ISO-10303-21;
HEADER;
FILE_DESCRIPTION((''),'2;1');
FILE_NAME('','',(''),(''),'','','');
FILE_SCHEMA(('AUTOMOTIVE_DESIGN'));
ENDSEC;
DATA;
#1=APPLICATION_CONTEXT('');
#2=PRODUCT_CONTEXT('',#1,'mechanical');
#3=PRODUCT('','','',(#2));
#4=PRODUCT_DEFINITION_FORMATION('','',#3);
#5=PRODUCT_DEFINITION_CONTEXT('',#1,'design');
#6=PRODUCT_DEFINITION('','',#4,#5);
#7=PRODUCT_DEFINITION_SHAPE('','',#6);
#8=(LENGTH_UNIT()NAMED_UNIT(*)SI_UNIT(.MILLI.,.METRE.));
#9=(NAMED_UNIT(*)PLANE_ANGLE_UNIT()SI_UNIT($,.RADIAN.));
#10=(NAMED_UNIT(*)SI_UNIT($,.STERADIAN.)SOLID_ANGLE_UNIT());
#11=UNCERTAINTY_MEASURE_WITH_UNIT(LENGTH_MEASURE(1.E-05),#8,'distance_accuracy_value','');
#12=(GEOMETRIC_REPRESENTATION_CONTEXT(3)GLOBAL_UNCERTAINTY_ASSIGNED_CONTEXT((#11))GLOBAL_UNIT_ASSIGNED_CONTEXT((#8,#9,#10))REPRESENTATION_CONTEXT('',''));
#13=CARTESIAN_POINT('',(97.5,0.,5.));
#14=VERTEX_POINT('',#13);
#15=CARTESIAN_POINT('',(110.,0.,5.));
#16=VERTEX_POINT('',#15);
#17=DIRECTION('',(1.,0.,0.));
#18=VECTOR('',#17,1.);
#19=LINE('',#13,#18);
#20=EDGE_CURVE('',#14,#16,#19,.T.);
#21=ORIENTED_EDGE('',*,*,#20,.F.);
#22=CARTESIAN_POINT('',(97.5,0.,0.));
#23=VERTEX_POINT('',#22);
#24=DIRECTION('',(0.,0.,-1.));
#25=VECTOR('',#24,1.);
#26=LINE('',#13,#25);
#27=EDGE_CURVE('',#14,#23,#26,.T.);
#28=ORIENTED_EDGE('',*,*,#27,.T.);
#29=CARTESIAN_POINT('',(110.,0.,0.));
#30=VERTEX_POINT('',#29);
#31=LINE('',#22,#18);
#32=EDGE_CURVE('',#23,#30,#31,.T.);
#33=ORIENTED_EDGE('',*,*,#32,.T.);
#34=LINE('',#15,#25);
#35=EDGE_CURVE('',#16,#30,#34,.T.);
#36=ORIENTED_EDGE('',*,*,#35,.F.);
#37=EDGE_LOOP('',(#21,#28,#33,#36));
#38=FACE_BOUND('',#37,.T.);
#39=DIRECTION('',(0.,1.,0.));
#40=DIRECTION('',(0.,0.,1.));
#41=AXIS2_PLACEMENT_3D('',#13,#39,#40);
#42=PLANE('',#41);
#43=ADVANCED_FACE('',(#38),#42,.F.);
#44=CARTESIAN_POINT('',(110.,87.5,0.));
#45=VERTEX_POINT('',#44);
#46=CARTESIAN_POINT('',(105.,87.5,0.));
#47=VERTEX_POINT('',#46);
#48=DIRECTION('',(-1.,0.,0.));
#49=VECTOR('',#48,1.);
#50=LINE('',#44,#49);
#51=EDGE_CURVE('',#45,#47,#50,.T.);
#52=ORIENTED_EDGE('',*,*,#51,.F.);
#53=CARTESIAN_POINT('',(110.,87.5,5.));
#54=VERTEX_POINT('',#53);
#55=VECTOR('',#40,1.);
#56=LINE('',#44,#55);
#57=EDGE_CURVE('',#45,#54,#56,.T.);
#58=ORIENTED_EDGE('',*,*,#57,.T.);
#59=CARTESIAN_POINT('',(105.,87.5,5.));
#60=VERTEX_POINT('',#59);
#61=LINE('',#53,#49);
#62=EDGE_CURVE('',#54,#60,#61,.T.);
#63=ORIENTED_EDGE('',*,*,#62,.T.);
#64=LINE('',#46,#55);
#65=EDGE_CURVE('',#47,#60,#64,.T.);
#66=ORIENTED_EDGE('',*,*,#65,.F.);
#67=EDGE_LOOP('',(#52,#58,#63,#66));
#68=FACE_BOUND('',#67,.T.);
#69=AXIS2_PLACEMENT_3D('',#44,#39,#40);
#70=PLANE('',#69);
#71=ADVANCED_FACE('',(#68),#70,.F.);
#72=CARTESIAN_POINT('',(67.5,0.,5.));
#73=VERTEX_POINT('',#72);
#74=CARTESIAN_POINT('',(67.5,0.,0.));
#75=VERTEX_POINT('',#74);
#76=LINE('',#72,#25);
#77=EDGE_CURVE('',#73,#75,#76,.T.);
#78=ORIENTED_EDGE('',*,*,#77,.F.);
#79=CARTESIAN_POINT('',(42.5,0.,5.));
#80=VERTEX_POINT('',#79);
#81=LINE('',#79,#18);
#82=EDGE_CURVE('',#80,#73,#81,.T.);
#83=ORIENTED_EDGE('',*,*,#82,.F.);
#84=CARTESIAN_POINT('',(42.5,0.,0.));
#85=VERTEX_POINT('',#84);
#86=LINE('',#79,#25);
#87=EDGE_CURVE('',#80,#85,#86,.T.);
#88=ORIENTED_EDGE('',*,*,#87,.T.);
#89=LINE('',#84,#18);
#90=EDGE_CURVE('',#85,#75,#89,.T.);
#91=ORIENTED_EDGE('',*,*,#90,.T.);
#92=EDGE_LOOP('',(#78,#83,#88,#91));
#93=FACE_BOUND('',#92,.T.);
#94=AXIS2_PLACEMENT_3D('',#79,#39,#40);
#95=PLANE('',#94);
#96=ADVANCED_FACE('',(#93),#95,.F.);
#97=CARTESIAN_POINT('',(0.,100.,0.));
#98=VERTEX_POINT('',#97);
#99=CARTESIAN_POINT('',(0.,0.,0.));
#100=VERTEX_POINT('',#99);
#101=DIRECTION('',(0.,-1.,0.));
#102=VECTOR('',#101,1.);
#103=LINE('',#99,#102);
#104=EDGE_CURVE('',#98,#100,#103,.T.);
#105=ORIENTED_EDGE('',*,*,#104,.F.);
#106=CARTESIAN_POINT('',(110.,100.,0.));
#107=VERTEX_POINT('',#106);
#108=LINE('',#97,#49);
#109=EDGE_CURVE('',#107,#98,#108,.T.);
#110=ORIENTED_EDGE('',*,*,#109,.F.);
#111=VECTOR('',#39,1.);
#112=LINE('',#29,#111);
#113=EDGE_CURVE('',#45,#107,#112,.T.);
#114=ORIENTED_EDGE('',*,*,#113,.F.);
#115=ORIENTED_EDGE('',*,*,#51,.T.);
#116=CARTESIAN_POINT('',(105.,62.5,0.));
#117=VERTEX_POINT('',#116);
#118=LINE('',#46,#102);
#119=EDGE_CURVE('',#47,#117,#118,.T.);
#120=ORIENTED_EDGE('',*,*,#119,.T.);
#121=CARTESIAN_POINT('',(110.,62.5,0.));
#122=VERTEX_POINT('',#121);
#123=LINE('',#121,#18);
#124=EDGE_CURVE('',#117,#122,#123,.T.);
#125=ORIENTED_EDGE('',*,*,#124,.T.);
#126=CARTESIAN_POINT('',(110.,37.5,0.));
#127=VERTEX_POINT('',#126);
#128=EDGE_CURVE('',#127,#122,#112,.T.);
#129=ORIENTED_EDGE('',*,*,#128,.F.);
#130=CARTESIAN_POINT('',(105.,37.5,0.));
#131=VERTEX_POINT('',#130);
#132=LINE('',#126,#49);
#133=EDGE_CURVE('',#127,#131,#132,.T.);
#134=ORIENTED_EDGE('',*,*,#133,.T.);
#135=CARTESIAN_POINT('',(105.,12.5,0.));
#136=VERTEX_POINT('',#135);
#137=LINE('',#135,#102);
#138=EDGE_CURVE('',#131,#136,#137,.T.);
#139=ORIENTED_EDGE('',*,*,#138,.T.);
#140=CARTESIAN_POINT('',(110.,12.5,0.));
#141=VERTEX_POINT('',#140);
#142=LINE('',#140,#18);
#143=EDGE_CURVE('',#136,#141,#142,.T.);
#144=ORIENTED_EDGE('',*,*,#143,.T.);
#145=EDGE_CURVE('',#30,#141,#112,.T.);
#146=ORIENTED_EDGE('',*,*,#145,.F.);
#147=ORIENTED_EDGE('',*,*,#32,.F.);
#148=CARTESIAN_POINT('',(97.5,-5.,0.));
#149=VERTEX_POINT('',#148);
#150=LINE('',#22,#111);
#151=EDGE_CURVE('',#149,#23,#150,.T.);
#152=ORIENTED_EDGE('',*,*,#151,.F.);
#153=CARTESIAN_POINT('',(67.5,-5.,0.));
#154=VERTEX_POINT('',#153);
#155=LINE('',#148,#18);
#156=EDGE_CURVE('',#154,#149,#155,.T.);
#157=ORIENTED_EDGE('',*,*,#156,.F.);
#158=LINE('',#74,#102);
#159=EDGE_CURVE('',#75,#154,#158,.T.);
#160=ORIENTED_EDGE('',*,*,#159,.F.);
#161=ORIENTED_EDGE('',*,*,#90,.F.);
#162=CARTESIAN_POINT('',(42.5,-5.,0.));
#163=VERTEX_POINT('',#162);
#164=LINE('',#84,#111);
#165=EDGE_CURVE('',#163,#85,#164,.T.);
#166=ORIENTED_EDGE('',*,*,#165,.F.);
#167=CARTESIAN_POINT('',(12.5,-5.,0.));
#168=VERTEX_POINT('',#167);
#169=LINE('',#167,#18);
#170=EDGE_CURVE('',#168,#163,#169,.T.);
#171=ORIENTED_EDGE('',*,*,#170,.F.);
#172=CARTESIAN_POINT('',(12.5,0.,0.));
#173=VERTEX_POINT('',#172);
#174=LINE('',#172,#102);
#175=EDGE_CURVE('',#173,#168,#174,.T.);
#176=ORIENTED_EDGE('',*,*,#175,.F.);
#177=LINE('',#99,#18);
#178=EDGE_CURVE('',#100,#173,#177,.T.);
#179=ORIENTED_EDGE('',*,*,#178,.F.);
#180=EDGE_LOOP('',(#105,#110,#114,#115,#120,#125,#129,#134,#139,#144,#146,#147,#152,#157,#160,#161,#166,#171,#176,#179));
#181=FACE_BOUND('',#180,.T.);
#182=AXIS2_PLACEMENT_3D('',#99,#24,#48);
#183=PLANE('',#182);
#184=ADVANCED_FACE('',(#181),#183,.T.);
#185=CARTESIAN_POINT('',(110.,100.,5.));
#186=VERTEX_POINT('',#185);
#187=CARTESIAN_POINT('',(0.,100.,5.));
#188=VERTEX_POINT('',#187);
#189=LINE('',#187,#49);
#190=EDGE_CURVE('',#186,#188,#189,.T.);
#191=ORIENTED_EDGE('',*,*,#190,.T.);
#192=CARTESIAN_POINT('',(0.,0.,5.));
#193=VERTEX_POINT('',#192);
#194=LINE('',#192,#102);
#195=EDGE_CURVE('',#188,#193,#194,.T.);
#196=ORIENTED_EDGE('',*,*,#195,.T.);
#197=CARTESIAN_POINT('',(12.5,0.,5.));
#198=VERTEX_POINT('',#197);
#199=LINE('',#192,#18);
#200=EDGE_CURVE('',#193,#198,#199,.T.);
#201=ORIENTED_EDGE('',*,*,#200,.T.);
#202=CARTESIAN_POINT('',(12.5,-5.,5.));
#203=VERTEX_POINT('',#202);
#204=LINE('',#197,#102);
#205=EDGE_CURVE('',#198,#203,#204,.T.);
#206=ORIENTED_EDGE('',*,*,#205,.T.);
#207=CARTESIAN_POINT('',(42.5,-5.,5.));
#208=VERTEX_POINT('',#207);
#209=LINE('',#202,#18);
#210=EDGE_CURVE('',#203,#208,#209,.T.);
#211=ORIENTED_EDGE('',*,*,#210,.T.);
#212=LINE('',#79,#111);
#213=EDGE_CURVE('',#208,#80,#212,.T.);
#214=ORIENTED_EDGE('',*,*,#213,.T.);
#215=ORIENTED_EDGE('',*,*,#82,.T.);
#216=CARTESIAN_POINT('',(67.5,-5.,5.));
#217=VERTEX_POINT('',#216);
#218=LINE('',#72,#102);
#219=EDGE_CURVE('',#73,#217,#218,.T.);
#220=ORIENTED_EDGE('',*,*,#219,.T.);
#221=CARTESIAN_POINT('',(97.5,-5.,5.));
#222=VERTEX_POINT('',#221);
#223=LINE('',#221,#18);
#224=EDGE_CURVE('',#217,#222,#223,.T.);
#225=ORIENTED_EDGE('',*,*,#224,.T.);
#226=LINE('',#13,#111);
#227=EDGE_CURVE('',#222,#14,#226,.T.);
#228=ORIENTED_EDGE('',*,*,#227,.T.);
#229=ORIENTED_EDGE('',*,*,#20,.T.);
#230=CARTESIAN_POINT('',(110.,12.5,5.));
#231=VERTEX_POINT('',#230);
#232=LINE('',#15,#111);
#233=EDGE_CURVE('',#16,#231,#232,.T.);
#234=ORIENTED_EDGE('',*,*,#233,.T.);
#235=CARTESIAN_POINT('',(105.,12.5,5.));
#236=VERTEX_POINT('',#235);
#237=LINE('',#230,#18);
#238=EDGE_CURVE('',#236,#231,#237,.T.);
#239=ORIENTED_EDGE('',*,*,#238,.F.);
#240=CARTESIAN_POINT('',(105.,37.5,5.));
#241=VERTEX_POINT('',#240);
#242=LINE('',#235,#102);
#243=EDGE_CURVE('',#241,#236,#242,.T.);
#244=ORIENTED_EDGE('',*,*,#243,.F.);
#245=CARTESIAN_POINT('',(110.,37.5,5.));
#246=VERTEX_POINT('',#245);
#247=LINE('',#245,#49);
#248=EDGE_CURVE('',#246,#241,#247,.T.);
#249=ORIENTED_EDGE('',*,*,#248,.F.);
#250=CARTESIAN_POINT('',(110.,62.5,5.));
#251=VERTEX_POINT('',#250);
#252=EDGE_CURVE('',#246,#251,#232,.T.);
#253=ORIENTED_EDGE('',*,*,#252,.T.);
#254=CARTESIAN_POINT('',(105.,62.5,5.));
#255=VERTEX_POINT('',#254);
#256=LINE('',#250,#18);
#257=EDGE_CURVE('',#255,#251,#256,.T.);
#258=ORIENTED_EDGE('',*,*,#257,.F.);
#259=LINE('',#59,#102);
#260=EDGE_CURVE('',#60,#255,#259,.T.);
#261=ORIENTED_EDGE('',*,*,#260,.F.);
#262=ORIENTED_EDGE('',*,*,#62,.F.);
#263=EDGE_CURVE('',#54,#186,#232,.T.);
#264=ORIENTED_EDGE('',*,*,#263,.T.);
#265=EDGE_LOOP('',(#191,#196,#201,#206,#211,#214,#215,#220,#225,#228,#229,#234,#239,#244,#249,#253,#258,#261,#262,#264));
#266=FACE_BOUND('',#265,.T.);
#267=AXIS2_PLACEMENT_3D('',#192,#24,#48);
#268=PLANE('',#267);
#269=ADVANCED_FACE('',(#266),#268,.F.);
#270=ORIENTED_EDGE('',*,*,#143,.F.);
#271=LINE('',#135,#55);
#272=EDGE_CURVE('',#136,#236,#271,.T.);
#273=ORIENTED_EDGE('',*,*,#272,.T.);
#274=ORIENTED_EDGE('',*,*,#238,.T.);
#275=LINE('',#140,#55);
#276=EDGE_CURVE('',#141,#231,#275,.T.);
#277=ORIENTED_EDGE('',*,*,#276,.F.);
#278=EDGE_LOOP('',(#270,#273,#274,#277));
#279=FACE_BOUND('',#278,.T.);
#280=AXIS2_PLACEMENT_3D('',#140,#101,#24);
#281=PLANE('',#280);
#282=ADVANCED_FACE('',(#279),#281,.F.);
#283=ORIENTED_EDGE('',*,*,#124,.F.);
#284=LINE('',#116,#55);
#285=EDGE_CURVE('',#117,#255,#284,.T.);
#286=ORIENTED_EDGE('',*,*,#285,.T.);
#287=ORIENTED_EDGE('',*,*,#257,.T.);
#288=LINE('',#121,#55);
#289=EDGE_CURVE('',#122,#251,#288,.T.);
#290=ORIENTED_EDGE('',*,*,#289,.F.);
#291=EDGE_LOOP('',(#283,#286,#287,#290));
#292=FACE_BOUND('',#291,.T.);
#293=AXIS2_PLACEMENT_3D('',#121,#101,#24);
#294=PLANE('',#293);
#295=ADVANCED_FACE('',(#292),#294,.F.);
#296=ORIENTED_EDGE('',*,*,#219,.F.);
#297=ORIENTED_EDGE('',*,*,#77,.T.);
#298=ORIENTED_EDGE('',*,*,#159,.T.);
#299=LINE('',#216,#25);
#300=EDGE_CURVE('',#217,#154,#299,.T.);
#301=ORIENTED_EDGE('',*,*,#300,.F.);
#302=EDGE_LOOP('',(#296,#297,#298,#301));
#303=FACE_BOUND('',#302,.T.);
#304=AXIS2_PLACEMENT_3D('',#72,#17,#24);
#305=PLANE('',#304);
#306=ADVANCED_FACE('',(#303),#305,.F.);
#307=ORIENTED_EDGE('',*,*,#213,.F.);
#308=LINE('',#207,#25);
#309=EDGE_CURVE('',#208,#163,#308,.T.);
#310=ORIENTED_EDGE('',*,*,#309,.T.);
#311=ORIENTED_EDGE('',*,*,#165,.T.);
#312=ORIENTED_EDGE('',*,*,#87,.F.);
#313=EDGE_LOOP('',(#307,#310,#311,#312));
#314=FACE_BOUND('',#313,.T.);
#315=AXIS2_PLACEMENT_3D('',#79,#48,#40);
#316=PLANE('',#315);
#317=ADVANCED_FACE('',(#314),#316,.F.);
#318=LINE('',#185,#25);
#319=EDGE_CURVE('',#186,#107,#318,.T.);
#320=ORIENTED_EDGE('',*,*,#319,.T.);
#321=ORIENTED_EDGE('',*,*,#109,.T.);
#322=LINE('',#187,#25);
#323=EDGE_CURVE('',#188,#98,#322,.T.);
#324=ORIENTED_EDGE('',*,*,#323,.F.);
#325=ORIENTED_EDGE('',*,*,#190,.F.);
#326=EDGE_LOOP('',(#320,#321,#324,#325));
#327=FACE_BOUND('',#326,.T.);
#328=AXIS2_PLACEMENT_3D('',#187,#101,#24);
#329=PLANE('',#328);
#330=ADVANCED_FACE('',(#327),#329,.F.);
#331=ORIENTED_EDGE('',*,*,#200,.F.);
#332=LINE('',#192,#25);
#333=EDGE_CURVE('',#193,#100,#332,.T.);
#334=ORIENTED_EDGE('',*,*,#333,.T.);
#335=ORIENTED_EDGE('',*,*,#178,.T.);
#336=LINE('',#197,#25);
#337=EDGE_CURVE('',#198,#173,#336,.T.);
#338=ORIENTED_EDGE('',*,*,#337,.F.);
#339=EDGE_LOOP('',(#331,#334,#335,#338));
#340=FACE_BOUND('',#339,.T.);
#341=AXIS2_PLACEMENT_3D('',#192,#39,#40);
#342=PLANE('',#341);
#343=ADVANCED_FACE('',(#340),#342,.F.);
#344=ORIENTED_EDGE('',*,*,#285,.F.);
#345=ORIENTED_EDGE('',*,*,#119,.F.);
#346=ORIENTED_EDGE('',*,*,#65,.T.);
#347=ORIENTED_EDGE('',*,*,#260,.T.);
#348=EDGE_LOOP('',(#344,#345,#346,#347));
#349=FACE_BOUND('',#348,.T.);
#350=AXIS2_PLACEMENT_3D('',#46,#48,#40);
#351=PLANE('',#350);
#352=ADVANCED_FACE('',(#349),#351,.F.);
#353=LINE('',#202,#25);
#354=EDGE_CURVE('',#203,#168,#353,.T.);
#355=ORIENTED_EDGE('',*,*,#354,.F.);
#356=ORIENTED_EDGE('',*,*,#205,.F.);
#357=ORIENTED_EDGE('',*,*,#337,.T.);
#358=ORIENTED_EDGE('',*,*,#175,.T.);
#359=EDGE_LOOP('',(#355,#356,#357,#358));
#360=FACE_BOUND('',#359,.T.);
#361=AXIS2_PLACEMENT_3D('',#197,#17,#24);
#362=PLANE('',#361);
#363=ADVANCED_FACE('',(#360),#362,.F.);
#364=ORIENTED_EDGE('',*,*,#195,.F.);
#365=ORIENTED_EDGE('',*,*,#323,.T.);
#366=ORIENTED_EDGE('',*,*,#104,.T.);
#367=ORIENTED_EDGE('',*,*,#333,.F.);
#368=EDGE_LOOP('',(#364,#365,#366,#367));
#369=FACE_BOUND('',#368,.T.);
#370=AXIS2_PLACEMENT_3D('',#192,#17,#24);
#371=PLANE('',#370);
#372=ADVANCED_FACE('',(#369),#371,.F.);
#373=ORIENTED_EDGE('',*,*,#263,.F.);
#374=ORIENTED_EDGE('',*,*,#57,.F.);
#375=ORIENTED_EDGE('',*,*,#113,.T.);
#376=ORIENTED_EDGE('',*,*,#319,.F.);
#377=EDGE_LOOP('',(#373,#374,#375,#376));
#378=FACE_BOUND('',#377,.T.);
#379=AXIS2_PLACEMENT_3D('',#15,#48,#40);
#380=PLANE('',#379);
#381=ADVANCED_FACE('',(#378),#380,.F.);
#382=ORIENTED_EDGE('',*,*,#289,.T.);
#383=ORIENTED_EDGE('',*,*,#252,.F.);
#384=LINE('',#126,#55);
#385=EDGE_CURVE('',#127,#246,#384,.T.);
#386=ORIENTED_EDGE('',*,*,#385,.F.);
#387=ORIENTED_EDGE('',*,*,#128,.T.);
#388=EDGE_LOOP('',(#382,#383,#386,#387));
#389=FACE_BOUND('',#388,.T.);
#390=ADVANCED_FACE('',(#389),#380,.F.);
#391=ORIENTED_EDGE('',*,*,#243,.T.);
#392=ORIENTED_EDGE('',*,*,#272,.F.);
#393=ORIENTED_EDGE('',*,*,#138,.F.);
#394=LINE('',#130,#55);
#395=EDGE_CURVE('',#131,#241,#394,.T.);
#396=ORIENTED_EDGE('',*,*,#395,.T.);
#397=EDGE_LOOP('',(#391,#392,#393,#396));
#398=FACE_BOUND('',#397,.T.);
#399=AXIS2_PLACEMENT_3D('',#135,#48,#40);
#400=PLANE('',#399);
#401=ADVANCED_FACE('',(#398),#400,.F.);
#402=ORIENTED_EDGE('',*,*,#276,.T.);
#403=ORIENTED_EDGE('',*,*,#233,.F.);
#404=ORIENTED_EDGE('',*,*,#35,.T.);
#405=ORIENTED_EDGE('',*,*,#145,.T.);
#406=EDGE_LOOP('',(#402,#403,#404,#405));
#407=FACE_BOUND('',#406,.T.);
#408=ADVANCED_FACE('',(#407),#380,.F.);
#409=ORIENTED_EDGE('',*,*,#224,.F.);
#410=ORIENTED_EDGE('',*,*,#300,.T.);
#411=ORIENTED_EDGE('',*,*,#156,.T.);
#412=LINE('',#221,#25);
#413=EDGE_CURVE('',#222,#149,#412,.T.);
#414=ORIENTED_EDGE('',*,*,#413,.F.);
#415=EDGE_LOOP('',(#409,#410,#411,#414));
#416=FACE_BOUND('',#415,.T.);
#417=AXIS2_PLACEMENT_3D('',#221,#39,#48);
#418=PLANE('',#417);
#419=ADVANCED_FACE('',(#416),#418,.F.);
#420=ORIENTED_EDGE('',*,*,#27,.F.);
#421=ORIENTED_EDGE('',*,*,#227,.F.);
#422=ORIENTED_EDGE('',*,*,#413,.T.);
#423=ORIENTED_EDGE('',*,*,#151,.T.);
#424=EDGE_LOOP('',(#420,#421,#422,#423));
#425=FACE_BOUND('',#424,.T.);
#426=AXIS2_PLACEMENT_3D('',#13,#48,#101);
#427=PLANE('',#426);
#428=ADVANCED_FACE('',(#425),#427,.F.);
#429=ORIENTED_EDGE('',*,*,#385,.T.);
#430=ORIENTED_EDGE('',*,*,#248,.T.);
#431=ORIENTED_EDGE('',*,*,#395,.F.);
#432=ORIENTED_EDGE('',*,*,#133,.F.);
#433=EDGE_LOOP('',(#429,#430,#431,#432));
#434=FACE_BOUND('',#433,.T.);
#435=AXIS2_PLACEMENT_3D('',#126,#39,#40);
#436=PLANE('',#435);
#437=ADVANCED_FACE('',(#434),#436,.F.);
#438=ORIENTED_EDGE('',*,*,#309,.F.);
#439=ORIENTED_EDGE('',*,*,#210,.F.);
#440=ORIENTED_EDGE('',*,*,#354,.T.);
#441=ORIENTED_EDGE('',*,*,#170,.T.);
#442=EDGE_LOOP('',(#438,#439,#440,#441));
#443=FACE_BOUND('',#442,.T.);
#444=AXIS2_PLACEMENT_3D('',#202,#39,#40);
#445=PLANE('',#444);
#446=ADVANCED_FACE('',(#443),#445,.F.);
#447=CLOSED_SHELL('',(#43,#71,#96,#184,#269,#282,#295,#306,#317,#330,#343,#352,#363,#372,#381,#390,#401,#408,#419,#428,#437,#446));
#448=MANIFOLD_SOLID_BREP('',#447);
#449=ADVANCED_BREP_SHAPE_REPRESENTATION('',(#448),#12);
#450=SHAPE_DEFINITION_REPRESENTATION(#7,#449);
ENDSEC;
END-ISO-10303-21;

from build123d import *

# Parameters (mm, degrees)
SALIENTE_EXTRUIR1_DEPTH = 5
CROQUIS2_W              = 5
CROQUIS2_H              = 25
CORTAR_EXTRUIR1_DEPTH   = 5


with BuildPart() as part:
    # Croquis1 → Saliente-Extruir1 (new body)
    with BuildSketch(Plane.XY):
        Polygon((0, 0), (12.5, 0), (12.5, -5), (42.5, -5), (42.5, 0), (67.5, 0), (67.5, -5), (97.5, -5), (97.5, 0), (110, 0), (110, 100), (0, 100), align=None)
    extrude(amount=SALIENTE_EXTRUIR1_DEPTH)

    # Croquis2 → Cortar-Extruir1 (cut)
    with BuildSketch(Plane.XY.offset(5)):
        with Locations((107.5, 75)):
            Rectangle(CROQUIS2_W, CROQUIS2_H)
        with Locations((107.5, 25)):
            Rectangle(CROQUIS2_W, CROQUIS2_H)
    extrude(amount=-CORTAR_EXTRUIR1_DEPTH, mode=Mode.SUBTRACT)


solid = part.part
